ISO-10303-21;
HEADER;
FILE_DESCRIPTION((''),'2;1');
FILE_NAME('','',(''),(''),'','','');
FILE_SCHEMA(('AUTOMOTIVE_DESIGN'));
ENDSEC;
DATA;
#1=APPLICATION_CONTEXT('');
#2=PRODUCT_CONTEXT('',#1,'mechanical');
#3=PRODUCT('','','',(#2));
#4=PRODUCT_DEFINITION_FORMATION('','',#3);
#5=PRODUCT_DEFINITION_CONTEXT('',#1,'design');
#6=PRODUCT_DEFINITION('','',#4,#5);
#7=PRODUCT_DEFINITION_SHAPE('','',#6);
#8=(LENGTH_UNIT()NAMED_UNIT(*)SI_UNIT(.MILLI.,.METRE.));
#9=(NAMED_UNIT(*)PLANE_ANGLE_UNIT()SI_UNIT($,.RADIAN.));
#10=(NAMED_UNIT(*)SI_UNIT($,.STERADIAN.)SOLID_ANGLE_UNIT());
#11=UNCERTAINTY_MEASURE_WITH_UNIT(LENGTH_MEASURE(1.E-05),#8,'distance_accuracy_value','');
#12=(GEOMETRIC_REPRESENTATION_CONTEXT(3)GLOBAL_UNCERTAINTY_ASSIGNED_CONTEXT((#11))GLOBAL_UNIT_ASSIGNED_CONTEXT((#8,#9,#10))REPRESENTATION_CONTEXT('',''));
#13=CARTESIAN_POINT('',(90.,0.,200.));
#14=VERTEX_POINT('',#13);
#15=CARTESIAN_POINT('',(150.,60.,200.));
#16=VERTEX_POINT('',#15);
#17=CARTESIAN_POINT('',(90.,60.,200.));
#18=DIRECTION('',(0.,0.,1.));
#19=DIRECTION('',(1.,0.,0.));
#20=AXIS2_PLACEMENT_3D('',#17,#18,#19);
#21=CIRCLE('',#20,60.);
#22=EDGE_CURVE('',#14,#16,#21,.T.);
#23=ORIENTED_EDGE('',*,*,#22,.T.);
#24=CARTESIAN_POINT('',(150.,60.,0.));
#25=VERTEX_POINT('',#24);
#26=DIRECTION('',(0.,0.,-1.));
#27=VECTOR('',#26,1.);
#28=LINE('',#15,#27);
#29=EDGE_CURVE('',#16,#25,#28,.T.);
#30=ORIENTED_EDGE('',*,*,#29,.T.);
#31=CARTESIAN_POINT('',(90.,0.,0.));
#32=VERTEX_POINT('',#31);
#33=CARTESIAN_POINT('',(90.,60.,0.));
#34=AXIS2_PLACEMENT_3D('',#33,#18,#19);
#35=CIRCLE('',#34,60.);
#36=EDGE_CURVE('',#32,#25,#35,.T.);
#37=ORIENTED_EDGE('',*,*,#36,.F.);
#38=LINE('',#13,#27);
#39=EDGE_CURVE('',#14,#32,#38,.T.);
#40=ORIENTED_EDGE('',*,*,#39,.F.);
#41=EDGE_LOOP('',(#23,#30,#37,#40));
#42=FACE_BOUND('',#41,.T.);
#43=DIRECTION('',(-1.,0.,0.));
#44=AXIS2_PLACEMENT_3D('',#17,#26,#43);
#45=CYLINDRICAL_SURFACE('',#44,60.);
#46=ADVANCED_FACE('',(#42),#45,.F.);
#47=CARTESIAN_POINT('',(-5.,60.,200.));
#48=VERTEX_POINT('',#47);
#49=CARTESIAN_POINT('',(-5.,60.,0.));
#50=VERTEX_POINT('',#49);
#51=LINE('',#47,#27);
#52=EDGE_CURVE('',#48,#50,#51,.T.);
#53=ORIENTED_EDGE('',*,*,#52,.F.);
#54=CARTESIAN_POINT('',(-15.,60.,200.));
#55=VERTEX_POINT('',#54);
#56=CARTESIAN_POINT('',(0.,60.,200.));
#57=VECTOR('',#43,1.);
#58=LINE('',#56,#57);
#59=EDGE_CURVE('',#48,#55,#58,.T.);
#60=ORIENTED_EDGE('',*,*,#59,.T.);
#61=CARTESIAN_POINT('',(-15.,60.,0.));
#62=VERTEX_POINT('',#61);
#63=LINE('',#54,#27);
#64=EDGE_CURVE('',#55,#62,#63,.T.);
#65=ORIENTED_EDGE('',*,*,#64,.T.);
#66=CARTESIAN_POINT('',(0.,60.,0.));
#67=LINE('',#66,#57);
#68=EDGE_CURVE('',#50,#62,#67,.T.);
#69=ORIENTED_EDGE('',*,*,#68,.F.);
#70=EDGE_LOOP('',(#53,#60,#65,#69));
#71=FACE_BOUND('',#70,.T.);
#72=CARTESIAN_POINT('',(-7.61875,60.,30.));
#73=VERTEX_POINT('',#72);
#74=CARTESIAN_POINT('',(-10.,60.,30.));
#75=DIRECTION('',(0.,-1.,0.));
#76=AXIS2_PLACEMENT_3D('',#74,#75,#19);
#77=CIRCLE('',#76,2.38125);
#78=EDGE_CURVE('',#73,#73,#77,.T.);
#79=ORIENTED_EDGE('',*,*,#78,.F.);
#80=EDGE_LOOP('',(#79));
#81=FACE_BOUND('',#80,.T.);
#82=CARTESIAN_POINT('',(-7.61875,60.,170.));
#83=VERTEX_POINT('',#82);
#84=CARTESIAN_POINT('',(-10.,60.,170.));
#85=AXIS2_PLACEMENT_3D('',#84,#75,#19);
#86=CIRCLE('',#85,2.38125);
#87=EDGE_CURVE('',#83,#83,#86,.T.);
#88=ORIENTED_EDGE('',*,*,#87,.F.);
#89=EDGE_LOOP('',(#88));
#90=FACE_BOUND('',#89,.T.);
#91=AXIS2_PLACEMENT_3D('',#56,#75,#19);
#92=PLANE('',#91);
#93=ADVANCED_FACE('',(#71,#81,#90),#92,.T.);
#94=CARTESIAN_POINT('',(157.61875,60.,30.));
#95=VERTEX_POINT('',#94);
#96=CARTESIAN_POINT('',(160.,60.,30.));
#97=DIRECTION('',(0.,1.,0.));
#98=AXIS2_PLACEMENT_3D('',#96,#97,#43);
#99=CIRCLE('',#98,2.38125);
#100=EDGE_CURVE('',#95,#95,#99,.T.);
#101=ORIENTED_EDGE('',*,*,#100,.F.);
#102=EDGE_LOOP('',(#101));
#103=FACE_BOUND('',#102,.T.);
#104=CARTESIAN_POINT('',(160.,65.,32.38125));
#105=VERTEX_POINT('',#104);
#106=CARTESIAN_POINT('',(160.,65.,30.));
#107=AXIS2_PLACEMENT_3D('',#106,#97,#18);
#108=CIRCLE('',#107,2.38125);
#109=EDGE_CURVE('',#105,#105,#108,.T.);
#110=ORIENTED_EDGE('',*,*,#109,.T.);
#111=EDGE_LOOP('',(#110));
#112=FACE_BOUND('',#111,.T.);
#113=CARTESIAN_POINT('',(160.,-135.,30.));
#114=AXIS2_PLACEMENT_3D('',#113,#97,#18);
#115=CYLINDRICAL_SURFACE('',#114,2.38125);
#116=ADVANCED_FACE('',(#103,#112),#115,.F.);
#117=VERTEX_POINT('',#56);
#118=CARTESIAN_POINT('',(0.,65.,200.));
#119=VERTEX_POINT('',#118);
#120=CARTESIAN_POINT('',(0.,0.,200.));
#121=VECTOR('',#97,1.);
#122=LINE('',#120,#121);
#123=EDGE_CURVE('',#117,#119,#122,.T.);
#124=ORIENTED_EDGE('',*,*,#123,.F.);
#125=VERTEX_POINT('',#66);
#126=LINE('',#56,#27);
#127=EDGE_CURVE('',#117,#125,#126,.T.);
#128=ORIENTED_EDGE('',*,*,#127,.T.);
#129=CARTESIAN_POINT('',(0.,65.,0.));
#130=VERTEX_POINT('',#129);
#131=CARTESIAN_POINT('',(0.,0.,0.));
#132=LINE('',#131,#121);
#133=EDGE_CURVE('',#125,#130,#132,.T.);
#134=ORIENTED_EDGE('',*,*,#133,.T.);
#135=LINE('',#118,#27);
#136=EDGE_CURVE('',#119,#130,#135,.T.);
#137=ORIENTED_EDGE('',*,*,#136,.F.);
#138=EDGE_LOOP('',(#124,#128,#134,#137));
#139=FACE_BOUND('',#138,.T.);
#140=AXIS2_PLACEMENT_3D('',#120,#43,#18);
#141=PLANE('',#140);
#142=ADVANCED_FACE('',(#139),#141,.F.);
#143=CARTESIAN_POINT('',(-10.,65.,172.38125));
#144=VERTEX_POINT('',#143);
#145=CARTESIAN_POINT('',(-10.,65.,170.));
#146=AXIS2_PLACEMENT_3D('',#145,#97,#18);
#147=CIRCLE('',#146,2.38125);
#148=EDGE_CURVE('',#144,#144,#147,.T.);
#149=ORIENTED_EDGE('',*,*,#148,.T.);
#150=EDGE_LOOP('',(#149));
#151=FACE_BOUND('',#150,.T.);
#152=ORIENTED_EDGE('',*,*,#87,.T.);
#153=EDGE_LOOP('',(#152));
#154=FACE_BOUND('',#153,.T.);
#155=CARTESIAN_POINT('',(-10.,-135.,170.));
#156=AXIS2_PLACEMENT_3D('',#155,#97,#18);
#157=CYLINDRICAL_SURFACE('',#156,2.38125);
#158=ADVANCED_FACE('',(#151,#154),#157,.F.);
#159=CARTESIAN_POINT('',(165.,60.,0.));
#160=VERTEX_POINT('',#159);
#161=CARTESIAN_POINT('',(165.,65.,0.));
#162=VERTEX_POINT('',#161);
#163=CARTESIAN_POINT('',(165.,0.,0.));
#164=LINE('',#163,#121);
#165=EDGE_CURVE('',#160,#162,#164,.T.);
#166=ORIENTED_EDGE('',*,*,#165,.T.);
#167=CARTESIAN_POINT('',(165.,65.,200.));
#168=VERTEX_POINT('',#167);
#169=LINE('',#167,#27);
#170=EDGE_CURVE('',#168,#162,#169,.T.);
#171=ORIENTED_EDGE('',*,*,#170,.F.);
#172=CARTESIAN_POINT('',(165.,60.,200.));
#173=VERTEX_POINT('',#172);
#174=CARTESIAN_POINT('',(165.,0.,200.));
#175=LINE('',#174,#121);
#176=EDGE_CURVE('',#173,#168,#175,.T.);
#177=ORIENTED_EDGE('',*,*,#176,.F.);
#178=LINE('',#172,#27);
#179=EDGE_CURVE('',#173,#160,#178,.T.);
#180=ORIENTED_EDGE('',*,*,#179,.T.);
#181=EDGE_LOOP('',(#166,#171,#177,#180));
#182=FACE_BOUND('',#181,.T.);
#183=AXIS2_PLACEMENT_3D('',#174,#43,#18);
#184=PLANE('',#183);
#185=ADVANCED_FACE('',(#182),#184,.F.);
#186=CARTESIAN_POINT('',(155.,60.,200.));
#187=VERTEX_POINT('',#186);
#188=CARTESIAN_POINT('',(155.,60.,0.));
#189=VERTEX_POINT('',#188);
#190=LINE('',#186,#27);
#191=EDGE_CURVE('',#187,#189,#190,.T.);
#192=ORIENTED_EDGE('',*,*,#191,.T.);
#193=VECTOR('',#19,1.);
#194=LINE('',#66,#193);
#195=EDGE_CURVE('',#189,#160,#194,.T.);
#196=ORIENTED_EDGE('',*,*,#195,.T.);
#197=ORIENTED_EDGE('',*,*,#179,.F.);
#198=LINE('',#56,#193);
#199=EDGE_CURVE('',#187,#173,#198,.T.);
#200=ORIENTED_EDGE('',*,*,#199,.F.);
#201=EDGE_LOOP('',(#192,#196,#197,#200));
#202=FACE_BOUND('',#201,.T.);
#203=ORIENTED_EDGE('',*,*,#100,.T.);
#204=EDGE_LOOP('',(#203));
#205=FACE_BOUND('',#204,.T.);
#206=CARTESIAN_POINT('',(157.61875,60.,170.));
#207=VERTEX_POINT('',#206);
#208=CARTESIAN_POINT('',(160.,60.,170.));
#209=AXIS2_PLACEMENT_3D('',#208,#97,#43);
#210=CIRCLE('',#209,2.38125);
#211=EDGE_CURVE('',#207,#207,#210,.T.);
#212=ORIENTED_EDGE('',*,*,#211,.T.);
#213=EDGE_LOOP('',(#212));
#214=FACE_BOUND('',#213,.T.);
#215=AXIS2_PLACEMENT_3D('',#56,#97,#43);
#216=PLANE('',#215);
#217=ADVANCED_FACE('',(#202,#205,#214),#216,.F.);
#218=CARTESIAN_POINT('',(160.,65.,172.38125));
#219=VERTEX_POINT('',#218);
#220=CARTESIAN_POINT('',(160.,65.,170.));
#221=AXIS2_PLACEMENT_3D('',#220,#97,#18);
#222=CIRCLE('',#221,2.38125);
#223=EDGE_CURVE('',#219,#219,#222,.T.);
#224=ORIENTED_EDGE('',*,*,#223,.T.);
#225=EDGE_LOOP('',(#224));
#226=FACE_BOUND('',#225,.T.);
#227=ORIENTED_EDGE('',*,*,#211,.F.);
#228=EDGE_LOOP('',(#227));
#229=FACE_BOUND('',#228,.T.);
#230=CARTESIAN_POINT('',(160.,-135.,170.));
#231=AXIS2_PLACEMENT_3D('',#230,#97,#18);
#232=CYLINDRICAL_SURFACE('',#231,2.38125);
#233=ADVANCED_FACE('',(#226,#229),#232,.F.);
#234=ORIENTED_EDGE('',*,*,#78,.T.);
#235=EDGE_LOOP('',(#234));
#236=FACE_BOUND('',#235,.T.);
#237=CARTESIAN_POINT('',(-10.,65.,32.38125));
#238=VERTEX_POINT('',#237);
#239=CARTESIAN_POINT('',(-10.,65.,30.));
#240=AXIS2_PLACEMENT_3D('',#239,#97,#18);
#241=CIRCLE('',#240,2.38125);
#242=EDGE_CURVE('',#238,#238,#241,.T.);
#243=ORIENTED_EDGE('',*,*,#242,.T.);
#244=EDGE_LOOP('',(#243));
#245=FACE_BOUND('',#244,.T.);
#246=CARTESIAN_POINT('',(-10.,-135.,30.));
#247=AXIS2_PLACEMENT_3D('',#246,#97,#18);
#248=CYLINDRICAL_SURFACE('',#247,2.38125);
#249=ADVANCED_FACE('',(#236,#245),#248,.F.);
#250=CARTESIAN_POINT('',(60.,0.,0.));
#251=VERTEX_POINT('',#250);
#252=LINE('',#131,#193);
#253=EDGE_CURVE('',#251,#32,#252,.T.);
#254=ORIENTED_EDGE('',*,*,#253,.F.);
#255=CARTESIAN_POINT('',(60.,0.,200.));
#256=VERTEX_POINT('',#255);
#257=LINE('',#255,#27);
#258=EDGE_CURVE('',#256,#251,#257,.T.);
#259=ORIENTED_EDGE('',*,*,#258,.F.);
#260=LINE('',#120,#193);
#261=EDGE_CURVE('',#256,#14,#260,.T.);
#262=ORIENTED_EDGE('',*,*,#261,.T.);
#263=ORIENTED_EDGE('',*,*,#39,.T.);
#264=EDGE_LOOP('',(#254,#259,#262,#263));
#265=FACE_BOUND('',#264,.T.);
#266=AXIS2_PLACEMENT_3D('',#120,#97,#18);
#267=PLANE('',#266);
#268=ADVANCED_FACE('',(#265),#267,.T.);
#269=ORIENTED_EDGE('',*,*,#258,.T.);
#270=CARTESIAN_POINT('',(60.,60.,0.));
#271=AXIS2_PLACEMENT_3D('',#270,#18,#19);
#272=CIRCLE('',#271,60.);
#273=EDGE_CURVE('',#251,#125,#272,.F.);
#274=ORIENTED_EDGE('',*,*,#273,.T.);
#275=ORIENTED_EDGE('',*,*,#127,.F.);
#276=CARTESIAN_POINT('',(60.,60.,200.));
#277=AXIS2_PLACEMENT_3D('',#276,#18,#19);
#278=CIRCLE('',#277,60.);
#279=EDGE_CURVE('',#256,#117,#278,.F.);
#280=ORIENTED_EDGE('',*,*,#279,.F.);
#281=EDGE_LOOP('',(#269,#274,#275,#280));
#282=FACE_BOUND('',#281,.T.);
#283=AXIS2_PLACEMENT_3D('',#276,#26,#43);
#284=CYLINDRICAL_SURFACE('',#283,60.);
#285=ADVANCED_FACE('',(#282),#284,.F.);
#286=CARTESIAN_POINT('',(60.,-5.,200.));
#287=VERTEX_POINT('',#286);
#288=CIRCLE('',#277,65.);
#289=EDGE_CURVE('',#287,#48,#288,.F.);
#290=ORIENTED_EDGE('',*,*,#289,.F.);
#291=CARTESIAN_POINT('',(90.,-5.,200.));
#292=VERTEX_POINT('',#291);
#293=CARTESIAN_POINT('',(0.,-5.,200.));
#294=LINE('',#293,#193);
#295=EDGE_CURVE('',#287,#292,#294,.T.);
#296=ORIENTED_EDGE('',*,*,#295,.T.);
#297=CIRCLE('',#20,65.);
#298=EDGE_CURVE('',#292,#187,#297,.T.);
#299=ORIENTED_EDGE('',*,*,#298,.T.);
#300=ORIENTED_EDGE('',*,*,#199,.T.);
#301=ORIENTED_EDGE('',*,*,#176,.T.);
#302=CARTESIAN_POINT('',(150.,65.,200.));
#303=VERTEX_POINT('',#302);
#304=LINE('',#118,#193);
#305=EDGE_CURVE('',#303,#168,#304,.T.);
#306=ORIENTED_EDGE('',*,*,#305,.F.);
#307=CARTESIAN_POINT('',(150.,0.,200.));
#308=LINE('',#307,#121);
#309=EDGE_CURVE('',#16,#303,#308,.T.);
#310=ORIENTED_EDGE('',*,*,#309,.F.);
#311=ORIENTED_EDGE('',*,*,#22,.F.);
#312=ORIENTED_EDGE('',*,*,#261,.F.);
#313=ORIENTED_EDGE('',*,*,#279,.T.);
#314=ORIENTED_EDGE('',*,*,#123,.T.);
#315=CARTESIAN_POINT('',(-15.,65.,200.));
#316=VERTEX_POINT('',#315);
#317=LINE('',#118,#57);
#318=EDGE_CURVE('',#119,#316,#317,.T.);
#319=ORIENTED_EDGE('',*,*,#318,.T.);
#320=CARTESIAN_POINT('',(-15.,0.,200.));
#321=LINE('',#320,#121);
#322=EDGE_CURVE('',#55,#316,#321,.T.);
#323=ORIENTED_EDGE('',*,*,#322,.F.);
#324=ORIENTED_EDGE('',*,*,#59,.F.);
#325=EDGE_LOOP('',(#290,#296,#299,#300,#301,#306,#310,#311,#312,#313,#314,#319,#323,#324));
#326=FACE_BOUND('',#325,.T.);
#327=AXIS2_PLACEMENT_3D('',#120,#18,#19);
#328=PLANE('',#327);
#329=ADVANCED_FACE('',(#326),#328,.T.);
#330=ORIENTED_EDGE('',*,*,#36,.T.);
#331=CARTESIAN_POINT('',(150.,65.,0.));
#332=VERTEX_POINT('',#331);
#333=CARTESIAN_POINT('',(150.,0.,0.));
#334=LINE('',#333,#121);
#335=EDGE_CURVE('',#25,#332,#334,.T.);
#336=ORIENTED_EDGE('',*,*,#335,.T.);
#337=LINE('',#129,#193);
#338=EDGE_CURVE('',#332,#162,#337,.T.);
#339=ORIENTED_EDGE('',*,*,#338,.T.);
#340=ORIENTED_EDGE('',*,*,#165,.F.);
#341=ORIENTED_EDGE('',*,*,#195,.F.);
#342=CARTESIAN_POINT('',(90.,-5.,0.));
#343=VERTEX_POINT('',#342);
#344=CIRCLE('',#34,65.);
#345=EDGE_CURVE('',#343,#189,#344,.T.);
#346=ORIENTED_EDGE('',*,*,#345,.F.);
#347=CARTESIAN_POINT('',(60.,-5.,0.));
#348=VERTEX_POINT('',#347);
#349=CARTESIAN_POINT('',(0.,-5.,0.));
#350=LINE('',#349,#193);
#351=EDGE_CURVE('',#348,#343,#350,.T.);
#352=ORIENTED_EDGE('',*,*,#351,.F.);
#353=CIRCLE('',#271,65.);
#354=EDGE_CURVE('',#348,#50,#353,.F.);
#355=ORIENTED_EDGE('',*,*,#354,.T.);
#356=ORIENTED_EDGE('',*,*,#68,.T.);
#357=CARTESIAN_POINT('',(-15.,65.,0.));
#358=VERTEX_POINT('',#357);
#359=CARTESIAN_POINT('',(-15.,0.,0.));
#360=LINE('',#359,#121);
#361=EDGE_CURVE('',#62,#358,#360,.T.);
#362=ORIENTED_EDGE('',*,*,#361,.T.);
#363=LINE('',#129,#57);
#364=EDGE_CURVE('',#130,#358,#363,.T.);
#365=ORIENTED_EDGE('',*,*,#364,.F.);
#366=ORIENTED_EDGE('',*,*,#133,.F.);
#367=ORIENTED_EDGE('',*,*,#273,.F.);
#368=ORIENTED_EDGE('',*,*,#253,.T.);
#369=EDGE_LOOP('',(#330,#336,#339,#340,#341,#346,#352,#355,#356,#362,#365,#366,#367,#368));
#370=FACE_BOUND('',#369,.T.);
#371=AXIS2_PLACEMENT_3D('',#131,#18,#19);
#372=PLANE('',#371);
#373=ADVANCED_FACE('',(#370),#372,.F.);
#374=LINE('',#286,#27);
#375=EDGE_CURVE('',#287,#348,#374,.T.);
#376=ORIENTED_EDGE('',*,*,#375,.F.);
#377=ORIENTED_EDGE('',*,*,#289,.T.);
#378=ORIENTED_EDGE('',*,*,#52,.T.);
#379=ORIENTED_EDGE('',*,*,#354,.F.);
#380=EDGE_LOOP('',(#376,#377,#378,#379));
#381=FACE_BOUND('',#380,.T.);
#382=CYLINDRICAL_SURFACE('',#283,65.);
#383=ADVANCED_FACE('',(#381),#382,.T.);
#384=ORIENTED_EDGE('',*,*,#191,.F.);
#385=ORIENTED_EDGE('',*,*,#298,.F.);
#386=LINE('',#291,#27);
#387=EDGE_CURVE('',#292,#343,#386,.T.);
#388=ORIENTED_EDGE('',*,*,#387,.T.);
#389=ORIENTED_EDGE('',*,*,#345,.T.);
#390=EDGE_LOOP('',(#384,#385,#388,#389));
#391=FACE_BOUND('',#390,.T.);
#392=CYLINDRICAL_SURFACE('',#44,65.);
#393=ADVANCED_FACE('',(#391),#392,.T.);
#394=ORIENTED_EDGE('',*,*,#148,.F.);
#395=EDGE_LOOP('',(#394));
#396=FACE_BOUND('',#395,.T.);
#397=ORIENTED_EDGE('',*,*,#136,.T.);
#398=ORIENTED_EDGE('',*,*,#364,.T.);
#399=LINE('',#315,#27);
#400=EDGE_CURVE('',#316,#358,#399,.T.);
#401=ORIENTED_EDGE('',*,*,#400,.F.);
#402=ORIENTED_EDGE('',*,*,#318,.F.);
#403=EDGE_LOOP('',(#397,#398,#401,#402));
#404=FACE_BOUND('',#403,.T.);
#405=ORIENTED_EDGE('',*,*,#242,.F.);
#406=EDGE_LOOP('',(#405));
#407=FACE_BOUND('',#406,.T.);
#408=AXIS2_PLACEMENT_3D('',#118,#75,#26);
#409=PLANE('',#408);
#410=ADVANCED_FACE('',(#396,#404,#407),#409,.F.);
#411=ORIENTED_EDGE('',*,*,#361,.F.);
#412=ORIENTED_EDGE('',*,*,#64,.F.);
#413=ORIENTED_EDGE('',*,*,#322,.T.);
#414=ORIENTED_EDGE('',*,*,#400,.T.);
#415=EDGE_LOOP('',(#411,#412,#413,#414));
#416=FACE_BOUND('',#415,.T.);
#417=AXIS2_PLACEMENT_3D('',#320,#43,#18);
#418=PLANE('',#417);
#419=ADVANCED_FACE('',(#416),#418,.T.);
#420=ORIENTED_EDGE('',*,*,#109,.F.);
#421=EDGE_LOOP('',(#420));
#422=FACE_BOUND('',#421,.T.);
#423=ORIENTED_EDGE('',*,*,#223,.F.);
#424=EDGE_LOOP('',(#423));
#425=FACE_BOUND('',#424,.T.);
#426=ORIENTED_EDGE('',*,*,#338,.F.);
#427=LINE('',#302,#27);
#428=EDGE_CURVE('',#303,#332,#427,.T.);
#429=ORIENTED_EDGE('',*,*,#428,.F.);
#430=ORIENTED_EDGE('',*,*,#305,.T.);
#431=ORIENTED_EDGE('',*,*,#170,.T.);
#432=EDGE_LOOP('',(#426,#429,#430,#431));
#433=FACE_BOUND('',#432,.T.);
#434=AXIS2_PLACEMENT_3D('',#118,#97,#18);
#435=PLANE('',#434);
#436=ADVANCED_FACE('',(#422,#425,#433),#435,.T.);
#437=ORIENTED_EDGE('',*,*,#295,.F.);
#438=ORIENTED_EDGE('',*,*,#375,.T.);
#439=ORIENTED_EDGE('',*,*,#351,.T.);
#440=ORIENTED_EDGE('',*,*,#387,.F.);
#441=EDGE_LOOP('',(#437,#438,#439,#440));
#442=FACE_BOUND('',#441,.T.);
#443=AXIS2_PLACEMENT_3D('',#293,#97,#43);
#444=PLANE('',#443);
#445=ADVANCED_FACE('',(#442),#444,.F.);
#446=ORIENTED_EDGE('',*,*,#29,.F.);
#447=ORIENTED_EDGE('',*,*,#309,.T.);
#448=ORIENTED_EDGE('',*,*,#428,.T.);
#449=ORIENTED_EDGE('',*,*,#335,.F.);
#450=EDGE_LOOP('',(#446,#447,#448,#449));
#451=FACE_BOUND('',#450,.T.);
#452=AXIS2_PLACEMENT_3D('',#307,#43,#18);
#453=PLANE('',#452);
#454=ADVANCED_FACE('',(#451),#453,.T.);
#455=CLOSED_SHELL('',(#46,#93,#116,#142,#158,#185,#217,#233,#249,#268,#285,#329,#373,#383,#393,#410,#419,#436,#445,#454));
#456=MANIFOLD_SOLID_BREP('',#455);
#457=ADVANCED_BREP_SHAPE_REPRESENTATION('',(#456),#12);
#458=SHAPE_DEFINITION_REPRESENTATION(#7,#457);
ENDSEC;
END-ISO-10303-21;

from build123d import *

# Parameters (mm, degrees)
SKETCH1_W           = 10
SKETCH1_H           = 5
BOSS_EXTRUDE1_DEPTH = 200
SKETCH2_R           = 2.38125
CUT_EXTRUDE1_DEPTH  = 200


with BuildPart() as part:
    # Sketch1 → Boss-Extrude1 (new body)
    with BuildSketch(Plane.XY):
        with Locations((-10, 62.5)):
            Rectangle(SKETCH1_W, SKETCH1_H)
        with BuildLine():
            Line((90, 0), (60, 0))
            ThreePointArc((60, 0), (17.573593129, 17.573593129), (0, 60))
            Line((0, 60), (0, 65))
            Line((0, 65), (-5, 65))
            Line((-5, 65), (-5, 60))
            ThreePointArc((-5, 60), (14.038059223, 14.038059223), (60, -5))
            Line((60, -5), (90, -5))
            ThreePointArc((90, -5), (135.961940777, 14.038059223), (155, 60))
            Line((155, 60), (155, 65))
            Line((155, 65), (150, 65))
            Line((150, 65), (150, 60))
            ThreePointArc((150, 60), (132.426406871, 17.573593129), (90, 0))
        make_face()
        with Locations((160, 62.5)):
            Rectangle(SKETCH1_W, SKETCH1_H)
    extrude(amount=BOSS_EXTRUDE1_DEPTH)

    # Sketch2 → Cut-Extrude1 (cut)
    with BuildSketch(Plane(origin=(0, 65, 0), x_dir=(1, 0, 0), z_dir=(0, 1, 0))):
        with Locations((-10, -170)):
            Circle(SKETCH2_R)
        with Locations((-10, -30)):
            Circle(SKETCH2_R)
        with Locations((160, -30)):
            Circle(SKETCH2_R)
        with Locations((160, -170)):
            Circle(SKETCH2_R)
    extrude(amount=-CUT_EXTRUDE1_DEPTH, mode=Mode.SUBTRACT)


solid = part.part
